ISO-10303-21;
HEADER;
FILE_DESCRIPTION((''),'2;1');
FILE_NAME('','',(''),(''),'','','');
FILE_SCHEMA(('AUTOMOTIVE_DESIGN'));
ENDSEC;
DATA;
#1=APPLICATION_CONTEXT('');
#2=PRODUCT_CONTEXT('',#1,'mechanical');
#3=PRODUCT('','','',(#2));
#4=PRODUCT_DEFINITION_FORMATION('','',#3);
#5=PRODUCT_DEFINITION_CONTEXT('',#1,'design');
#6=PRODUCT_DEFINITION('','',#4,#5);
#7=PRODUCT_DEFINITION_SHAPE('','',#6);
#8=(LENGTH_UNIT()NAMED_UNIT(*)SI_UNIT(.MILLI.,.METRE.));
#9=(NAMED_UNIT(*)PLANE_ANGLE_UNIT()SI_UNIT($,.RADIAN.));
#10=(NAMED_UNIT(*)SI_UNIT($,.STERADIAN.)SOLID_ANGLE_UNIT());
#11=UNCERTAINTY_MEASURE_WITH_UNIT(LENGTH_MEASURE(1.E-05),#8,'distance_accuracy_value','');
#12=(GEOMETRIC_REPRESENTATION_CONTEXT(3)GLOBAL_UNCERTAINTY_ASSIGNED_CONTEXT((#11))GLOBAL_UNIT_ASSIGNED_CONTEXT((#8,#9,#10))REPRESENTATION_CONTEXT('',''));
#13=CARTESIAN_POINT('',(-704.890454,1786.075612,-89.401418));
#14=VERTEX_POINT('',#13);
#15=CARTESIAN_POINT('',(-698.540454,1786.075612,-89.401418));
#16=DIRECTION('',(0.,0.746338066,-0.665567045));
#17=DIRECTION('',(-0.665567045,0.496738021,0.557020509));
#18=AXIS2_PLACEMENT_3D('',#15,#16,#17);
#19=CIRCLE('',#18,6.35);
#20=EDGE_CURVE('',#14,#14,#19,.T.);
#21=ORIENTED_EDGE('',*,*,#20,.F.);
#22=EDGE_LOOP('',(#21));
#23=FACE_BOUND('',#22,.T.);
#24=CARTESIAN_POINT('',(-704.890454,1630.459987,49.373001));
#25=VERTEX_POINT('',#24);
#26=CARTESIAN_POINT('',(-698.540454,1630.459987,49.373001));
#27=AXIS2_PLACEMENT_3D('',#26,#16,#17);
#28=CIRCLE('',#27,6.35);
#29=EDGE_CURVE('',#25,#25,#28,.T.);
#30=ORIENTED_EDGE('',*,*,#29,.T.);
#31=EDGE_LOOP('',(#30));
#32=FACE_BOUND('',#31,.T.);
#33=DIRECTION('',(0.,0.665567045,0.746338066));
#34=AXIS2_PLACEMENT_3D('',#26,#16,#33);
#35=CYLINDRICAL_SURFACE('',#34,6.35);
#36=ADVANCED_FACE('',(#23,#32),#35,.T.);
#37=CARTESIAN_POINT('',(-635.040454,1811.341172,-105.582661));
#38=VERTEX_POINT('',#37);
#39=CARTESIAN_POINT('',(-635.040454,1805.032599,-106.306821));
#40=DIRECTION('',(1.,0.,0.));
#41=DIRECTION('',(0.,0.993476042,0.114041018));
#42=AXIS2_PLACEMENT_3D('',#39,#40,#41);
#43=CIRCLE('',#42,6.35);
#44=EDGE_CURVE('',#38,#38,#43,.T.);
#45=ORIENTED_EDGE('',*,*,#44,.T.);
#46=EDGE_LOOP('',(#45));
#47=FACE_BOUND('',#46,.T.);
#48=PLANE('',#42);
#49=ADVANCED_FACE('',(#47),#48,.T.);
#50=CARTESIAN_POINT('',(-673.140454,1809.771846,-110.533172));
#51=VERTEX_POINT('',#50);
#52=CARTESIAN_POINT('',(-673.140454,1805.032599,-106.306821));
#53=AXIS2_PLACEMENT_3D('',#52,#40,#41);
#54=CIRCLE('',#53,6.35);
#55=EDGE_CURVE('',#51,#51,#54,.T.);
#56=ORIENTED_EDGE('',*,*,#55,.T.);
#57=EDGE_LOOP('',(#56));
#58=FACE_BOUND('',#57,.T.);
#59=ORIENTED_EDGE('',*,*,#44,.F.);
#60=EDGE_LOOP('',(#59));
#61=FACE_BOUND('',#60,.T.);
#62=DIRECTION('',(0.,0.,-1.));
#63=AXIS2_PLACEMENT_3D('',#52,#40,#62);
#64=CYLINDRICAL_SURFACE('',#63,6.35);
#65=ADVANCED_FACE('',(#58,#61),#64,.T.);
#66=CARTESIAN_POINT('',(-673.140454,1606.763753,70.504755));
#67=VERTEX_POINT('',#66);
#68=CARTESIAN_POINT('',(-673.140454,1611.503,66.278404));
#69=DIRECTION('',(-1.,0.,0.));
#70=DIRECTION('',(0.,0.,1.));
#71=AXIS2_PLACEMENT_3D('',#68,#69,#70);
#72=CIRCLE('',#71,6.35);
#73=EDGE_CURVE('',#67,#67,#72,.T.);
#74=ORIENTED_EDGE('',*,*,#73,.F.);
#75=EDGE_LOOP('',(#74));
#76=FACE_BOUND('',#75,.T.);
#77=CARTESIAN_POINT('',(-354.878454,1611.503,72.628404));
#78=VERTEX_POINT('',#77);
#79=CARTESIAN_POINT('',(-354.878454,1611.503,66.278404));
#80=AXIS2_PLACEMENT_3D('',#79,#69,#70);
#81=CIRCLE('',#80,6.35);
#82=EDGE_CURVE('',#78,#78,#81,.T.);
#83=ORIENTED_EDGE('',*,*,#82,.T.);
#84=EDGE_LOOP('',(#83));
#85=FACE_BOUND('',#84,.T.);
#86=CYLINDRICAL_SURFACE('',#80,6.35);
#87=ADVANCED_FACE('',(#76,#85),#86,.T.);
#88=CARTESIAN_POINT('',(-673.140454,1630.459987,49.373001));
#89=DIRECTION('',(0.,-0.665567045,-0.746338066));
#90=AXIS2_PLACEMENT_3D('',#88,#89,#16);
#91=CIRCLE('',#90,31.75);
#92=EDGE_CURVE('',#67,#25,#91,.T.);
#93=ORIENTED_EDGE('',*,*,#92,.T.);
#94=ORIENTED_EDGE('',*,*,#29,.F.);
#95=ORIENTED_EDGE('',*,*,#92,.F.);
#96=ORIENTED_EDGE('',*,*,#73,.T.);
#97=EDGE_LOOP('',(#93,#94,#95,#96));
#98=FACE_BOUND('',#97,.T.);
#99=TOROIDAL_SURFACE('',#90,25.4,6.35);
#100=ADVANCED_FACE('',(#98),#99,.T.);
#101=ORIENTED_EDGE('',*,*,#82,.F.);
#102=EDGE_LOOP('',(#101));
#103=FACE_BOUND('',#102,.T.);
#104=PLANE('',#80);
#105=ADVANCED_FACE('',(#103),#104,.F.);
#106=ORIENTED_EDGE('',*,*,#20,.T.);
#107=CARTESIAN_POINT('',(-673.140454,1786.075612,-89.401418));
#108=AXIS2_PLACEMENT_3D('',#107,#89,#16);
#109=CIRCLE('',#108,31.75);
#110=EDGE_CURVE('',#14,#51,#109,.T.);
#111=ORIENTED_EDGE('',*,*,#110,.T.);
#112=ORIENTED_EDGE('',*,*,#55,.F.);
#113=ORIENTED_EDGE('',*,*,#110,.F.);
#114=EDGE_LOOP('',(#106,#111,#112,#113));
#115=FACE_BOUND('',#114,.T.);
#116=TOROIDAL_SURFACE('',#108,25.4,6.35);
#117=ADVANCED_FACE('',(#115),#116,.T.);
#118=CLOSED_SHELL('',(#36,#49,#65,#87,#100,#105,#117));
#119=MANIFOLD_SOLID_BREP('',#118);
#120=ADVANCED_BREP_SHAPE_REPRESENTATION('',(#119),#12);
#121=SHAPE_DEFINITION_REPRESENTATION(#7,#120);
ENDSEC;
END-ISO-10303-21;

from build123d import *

# Parameters (mm, degrees)
SWEEP1_PROFILE_R = 6.35


with BuildPart() as part:
    # Sweep1: sweep along a curve in space
    with BuildLine() as sweep1_path:
        Line((-635.040454363, 1805.032599319, -106.306821176), (-673.140454363, 1805.032599319, -106.306821176))
        ThreePointArc((-673.140454363, 1805.032599319, -106.306821176), (-691.100966605, 1799.480226411, -101.355343296), (-698.540454363, 1786.075612435, -89.401418245))
        Line((-698.540454363, 1786.075612435, -89.401418245), (-698.540454363, 1630.459986884, 49.373001358))
        ThreePointArc((-673.140454363, 1611.503, 66.278404289), (-691.100966605, 1617.055372908, 61.326926409), (-698.540454363, 1630.459986884, 49.373001358))
        Line((-354.878454363, 1611.503, 66.278404289), (-673.140454363, 1611.503, 66.278404289))
    # Sweep1 profile (on start of the path) → Sweep1 (sweep)
    with BuildSketch(Plane(origin=(-635.040454363, 1805.032599319, -106.306821176), x_dir=(0, 0, -1), z_dir=(-1, 0, 0))):
        Circle(SWEEP1_PROFILE_R)
    sweep(path=sweep1_path.line)


solid = part.part
